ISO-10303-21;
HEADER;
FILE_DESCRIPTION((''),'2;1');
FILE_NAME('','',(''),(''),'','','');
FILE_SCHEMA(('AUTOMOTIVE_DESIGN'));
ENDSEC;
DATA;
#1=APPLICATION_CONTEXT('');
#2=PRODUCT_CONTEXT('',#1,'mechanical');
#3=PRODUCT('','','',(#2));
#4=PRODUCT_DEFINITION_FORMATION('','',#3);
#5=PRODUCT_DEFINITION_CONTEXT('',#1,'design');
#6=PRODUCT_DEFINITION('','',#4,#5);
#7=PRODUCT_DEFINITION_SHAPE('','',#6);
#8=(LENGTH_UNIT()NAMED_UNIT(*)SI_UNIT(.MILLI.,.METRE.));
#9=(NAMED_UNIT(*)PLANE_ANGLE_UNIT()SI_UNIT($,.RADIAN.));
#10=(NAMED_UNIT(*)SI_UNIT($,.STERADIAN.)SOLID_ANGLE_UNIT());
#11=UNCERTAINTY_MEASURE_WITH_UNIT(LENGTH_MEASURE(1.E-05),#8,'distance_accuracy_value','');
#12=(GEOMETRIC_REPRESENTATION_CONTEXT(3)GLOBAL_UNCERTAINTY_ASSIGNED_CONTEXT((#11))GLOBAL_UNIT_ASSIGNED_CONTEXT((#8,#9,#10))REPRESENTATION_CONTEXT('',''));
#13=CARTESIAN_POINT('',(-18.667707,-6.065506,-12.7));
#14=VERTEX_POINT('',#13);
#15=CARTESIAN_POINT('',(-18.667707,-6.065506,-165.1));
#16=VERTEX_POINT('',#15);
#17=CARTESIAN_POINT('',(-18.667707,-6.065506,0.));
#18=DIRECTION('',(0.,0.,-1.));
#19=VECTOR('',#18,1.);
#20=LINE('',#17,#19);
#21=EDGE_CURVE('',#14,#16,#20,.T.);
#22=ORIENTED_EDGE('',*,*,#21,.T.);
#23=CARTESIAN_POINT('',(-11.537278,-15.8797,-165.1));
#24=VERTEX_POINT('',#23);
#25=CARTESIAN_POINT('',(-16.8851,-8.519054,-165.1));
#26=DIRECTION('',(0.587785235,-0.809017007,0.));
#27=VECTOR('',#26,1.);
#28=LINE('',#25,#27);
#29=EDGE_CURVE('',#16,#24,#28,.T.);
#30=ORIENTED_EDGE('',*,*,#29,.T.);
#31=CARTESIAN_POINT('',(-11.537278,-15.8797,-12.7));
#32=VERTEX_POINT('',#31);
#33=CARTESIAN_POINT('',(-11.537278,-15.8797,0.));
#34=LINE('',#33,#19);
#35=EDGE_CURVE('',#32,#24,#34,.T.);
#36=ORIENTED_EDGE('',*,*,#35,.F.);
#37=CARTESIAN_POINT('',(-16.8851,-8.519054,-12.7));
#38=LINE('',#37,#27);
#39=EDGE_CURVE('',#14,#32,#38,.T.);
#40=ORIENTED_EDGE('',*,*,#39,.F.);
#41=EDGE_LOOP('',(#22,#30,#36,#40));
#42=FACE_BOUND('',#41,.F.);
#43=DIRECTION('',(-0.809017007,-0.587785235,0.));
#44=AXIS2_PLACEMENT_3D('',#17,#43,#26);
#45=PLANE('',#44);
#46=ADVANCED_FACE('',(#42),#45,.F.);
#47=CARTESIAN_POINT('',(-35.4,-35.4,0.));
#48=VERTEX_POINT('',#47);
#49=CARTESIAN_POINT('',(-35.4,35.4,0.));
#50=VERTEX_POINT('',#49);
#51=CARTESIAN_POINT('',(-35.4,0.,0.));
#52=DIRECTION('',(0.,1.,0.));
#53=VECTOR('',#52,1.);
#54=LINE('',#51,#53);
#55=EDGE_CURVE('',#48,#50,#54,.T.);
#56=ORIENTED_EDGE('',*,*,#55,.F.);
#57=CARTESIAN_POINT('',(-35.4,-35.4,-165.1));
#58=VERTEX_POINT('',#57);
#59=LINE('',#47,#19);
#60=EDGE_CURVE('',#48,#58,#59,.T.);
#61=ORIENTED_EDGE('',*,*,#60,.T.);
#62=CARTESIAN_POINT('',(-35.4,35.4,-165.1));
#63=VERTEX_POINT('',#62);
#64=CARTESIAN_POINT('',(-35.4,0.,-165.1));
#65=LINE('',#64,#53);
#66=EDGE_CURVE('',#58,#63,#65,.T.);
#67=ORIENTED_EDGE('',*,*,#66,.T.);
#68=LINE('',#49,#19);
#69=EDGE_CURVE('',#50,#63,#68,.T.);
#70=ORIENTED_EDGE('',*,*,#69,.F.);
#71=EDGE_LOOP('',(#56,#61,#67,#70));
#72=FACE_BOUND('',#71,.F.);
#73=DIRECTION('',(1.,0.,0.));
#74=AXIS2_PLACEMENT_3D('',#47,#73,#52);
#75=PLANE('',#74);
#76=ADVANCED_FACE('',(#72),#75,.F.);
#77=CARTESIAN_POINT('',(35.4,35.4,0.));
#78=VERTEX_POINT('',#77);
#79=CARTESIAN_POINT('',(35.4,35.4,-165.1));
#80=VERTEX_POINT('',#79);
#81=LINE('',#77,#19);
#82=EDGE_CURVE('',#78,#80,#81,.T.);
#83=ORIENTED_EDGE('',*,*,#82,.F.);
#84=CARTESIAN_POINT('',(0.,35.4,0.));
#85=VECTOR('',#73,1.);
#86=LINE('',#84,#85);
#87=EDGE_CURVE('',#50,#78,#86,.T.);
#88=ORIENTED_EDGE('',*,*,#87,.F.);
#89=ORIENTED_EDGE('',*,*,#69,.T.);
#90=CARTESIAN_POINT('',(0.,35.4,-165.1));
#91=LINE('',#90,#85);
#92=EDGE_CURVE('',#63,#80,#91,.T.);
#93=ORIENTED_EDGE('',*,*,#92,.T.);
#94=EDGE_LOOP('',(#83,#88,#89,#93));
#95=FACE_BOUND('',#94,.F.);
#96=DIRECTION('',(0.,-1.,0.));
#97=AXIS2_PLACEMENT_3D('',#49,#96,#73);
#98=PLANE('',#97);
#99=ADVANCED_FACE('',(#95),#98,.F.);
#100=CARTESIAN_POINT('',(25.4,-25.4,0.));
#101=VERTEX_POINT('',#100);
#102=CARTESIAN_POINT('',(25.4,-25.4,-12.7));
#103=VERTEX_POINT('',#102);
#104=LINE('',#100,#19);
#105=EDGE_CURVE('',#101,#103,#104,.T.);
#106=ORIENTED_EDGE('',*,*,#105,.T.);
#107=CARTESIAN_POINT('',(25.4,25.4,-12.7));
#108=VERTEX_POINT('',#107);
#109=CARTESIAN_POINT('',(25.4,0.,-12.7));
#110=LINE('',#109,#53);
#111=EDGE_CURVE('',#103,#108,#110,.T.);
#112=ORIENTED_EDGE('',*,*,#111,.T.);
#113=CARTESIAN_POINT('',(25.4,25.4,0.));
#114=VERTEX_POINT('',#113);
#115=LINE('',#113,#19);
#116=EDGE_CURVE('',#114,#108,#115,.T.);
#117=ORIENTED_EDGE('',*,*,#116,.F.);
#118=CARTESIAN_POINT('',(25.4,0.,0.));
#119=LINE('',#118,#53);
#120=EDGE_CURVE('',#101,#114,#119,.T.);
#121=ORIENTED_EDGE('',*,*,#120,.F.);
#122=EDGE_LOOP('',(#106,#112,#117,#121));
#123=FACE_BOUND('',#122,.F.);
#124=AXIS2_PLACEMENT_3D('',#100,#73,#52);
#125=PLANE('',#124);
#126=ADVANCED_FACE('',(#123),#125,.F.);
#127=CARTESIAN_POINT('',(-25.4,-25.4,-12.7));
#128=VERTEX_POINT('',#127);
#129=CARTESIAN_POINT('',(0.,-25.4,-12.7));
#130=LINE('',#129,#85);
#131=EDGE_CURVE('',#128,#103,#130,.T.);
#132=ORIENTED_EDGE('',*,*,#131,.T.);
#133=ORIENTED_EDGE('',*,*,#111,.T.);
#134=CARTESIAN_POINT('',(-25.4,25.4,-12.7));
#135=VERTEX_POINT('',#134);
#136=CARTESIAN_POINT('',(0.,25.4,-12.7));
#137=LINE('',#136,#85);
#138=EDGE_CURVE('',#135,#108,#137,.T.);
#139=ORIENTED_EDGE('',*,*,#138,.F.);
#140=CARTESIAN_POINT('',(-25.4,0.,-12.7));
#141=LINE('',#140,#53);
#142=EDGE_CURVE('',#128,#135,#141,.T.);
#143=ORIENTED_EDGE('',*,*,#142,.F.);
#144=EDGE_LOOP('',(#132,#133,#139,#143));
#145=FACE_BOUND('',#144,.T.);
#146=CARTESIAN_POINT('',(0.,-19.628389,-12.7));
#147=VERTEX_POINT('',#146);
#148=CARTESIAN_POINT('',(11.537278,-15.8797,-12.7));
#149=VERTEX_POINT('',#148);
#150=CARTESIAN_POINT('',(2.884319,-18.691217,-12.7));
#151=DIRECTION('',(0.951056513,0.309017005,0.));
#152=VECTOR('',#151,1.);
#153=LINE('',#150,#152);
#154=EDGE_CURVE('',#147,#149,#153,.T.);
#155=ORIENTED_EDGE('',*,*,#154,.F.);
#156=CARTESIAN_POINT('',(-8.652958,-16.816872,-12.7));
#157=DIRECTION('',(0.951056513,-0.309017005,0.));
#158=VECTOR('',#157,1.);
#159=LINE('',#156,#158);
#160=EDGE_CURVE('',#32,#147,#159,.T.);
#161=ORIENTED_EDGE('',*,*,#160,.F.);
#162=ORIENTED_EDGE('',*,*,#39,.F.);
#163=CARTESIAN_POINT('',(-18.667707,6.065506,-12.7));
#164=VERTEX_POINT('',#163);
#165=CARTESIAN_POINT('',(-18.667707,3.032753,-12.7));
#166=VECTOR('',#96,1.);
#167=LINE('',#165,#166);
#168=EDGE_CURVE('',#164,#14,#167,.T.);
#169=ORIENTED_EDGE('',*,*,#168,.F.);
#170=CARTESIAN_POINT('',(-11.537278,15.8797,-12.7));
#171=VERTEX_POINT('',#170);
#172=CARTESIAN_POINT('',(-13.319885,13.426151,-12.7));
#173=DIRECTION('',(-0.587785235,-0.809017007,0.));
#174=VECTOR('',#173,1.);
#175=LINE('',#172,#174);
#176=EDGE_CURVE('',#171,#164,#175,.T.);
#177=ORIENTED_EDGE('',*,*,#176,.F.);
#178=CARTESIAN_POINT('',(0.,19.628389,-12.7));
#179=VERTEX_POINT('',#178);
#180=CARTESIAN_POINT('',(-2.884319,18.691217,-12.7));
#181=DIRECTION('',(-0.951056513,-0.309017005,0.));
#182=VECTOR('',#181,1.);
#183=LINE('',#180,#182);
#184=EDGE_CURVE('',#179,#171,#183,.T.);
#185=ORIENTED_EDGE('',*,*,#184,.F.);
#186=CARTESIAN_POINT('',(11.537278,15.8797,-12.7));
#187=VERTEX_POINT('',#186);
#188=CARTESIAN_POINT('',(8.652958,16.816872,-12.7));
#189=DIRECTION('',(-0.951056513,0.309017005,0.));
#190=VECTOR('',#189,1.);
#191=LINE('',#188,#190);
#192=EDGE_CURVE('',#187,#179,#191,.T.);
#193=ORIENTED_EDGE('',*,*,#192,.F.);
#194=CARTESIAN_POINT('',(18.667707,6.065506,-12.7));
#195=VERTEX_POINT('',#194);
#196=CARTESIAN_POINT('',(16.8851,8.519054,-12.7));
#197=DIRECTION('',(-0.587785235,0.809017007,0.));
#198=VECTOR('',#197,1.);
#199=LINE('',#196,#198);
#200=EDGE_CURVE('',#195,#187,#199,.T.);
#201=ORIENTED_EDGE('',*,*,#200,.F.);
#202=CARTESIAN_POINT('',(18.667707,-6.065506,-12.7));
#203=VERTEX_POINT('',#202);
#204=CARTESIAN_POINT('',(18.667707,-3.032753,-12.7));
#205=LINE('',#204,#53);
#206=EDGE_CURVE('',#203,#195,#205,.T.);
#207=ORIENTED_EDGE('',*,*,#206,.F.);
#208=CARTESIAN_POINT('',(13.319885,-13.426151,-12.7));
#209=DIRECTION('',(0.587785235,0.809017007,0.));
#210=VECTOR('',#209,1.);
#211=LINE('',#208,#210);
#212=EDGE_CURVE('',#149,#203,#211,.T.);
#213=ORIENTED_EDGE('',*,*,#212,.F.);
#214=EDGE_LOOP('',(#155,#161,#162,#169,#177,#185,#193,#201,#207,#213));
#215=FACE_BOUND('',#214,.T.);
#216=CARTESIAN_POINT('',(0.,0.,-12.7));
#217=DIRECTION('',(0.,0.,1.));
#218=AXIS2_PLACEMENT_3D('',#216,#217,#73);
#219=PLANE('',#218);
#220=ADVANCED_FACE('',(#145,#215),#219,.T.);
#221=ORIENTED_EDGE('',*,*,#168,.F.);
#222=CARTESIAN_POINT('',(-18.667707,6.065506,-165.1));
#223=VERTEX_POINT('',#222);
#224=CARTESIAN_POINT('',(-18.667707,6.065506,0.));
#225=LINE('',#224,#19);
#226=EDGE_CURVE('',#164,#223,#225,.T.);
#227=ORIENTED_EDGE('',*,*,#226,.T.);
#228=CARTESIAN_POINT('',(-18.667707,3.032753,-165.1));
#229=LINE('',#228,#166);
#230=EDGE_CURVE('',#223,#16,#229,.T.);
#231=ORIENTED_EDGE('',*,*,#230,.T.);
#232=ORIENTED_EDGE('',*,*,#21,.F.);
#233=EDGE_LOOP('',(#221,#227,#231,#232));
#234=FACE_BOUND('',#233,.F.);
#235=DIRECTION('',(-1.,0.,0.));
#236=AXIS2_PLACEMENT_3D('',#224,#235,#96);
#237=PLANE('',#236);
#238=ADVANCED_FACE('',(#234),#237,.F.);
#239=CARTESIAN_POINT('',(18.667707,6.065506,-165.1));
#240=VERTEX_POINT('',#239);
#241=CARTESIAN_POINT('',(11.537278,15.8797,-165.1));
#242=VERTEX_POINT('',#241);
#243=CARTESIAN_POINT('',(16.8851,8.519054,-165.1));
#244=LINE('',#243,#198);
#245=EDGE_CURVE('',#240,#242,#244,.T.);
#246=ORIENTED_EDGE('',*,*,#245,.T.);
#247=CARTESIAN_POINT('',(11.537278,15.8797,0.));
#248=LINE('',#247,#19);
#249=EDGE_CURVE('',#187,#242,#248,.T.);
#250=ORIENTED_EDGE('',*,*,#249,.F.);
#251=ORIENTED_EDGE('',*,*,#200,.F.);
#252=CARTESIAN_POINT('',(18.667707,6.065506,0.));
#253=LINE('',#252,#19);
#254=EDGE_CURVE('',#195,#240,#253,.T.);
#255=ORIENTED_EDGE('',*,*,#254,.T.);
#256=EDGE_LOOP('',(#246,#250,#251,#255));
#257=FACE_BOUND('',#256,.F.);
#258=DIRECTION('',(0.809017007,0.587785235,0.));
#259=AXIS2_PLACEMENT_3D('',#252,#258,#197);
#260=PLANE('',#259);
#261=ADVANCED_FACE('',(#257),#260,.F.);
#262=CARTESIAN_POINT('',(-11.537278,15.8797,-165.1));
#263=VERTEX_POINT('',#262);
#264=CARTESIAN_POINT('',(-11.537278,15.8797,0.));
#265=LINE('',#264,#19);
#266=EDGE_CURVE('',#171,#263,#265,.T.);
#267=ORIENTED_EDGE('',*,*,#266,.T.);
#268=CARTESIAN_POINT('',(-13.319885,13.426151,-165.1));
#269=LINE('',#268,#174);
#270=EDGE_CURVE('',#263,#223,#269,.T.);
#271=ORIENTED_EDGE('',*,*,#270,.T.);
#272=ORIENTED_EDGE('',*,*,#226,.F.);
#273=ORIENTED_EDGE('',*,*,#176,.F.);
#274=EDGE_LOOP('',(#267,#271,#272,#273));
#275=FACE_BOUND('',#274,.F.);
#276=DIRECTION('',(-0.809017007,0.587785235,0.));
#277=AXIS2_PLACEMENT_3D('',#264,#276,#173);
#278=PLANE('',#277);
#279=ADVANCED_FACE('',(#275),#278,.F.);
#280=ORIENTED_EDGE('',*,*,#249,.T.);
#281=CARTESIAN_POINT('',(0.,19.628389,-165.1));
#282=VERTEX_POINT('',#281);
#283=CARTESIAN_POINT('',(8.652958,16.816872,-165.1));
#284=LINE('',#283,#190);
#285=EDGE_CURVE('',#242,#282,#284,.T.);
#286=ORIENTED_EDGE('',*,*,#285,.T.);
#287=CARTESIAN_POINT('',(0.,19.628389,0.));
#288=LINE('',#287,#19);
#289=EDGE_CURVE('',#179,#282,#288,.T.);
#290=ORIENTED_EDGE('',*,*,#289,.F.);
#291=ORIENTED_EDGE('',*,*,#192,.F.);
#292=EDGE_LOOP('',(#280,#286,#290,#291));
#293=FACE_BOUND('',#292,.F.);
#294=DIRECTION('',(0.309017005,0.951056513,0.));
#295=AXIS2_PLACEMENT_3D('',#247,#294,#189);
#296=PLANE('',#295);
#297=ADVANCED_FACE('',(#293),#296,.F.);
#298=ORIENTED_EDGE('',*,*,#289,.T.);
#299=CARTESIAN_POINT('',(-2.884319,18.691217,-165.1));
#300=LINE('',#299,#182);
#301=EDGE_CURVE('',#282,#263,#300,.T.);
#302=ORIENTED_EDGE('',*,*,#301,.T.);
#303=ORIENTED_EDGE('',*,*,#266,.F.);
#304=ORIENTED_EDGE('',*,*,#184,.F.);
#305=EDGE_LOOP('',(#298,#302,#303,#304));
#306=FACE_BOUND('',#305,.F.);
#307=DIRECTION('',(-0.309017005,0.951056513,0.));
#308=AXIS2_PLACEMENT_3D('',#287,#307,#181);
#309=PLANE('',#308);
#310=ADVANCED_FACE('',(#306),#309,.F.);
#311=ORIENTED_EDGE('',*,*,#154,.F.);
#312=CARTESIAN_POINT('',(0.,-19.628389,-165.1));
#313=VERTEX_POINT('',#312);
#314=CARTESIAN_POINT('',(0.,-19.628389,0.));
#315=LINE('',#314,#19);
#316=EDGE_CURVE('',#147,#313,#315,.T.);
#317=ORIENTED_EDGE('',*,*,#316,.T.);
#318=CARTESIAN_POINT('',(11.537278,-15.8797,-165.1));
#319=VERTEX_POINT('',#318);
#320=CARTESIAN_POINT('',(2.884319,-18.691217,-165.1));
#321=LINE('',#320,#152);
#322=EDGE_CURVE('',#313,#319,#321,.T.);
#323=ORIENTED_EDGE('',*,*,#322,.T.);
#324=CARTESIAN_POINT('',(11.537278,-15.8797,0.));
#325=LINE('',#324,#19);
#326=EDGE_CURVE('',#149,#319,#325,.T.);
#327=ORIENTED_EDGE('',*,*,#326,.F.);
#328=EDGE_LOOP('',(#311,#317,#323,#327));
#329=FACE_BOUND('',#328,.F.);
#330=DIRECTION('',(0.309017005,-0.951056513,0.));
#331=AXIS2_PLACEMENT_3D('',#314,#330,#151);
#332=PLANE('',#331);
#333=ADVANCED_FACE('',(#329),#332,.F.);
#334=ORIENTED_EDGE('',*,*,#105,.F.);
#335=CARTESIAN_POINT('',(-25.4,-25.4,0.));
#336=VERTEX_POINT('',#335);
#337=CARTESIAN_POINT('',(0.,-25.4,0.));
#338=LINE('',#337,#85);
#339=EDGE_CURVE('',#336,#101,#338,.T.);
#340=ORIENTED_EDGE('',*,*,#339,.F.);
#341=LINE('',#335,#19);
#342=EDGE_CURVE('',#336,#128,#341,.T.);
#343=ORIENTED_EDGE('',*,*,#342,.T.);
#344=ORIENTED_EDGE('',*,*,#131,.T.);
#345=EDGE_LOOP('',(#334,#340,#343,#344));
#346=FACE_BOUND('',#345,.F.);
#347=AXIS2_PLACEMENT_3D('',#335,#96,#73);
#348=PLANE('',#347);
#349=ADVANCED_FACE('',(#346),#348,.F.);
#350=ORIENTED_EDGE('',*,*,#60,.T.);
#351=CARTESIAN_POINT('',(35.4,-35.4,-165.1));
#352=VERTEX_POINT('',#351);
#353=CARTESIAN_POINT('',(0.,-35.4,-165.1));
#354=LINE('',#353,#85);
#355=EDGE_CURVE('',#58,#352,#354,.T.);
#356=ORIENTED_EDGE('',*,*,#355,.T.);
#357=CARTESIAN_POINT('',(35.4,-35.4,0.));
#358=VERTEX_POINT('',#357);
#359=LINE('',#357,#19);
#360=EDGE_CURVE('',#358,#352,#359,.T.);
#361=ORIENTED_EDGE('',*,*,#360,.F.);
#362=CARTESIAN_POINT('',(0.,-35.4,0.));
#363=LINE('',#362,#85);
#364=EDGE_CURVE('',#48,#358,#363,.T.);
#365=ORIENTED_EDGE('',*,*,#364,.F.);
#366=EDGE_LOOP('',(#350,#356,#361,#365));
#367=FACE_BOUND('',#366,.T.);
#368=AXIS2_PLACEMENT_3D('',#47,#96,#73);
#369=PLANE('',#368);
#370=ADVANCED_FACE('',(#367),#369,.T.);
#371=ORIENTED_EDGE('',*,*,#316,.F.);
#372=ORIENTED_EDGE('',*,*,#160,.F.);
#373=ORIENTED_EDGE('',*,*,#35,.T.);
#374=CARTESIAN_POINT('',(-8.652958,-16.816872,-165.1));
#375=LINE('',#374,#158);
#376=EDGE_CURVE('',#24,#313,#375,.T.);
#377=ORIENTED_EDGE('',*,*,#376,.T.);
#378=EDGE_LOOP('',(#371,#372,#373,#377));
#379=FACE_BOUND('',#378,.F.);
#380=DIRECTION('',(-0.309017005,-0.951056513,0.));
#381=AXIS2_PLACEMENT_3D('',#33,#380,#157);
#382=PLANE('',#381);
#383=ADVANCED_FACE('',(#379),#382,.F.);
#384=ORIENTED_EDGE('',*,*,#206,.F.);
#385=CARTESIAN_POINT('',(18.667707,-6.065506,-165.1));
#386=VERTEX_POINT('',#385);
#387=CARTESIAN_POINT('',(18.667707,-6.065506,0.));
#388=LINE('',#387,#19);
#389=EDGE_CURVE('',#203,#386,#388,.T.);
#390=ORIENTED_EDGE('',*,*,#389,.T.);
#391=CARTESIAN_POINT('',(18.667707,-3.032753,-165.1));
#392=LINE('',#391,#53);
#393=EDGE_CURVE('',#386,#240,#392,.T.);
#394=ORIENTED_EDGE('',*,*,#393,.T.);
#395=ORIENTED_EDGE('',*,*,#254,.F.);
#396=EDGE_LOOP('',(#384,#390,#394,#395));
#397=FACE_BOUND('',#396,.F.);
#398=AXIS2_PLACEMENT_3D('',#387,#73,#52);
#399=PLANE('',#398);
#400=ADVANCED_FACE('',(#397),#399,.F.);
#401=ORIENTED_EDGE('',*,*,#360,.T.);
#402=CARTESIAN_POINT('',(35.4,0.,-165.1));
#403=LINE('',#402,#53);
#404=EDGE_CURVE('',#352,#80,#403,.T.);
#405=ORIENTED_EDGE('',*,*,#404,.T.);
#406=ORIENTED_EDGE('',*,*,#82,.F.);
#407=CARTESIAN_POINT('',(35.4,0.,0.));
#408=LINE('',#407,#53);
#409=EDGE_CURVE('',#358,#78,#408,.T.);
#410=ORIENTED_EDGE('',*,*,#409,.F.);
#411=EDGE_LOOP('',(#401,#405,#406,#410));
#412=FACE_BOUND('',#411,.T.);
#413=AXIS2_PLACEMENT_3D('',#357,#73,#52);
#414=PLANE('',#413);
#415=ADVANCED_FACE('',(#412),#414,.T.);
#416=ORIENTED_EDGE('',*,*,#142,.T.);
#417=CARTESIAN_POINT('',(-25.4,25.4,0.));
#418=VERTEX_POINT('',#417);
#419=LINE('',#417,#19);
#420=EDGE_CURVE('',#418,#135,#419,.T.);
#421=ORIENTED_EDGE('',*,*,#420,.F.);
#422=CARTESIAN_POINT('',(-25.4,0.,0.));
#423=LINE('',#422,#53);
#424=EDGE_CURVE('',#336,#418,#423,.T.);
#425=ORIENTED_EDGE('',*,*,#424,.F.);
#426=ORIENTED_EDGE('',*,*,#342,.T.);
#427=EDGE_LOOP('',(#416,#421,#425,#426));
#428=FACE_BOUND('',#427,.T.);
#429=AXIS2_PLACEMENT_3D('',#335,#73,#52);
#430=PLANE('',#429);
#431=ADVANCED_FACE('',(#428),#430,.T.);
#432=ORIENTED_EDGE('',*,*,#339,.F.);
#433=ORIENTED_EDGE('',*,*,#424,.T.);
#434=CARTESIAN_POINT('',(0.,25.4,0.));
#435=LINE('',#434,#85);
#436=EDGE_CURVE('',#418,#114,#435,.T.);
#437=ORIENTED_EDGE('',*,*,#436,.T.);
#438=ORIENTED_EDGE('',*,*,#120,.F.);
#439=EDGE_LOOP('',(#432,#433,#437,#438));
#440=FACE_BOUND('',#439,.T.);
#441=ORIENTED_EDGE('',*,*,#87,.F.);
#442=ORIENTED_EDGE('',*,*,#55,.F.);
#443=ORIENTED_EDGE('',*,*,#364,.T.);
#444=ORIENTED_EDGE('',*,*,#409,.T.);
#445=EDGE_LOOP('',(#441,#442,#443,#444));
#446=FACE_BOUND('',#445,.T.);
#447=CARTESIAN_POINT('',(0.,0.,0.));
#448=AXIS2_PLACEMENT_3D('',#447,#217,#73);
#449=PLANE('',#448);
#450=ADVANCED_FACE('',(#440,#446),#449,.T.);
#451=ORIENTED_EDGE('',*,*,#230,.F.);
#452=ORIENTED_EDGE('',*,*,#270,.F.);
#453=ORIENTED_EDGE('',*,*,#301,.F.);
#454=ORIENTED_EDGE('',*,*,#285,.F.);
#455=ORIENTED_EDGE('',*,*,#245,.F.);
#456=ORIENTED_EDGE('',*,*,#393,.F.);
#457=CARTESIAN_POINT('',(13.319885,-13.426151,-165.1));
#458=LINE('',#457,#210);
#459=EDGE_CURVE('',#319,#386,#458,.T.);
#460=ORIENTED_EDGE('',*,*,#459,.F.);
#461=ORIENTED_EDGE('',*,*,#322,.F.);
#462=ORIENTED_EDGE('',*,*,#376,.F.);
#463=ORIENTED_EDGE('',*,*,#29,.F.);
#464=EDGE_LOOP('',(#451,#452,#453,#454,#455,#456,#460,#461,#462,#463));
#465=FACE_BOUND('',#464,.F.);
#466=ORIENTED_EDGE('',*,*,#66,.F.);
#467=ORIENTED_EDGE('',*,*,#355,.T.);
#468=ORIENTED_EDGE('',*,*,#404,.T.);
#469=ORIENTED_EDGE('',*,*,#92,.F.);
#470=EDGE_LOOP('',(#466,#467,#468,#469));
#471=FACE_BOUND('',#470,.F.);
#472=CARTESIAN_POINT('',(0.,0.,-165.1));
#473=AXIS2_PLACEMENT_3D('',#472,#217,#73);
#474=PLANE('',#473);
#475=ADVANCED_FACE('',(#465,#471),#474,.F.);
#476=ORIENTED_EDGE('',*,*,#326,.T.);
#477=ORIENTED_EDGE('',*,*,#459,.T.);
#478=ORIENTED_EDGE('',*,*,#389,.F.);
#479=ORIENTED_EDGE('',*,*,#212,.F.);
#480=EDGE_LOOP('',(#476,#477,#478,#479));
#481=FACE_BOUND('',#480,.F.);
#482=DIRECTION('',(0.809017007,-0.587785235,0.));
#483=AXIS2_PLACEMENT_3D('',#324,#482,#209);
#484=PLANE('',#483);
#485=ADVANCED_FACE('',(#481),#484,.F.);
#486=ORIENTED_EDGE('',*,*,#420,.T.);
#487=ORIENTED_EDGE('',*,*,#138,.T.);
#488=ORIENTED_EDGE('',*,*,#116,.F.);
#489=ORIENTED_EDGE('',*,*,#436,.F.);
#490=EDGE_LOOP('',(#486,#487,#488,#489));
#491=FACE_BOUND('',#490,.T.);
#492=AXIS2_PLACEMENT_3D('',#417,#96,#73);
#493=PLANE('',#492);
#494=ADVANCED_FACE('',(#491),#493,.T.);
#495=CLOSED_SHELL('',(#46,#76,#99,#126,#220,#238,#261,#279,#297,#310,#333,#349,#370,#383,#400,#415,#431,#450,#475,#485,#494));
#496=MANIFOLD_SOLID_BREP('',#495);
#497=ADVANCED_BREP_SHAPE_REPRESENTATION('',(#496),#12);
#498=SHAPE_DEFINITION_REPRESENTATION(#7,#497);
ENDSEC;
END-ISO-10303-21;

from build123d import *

# Parameters (mm, degrees)
F0_W     = 70.8
F0_H     = 70.8
F0_W_2   = 50.8
F0_H_2   = 50.8
F1_DEPTH = 165.1
F2_DEPTH = 12.7
F4_DEPTH = 200.1


with BuildPart() as f1:
    # F0 (on Top) → F1 (new body)
    with BuildSketch(Plane.XY):
        Rectangle(F0_W, F0_H)
        Rectangle(F0_W_2, F0_H_2, mode=Mode.SUBTRACT)
        Rectangle(F0_W_2, F0_H_2)
    extrude(amount=-F1_DEPTH)

    # F0 (on Top) → F2 (cut)
    with BuildSketch(Plane.XY):
        Rectangle(F0_W_2, F0_H_2)
    extrude(amount=-F2_DEPTH, mode=Mode.SUBTRACT)

    # F3 (on face) → F4 (cut)
    with BuildSketch(Plane.XY):
        Polygon((18.667707, -6.065506), (18.667707, 6.065506), (11.537278, 15.8797), (0, 19.628389), (-11.537278, 15.8797), (-18.667707, 6.065506), (-18.667707, -6.065506), (-11.537278, -15.8797), (0, -19.628389), (11.537278, -15.8797), align=None)
    extrude(amount=-F4_DEPTH, mode=Mode.SUBTRACT)


solid = f1.part
